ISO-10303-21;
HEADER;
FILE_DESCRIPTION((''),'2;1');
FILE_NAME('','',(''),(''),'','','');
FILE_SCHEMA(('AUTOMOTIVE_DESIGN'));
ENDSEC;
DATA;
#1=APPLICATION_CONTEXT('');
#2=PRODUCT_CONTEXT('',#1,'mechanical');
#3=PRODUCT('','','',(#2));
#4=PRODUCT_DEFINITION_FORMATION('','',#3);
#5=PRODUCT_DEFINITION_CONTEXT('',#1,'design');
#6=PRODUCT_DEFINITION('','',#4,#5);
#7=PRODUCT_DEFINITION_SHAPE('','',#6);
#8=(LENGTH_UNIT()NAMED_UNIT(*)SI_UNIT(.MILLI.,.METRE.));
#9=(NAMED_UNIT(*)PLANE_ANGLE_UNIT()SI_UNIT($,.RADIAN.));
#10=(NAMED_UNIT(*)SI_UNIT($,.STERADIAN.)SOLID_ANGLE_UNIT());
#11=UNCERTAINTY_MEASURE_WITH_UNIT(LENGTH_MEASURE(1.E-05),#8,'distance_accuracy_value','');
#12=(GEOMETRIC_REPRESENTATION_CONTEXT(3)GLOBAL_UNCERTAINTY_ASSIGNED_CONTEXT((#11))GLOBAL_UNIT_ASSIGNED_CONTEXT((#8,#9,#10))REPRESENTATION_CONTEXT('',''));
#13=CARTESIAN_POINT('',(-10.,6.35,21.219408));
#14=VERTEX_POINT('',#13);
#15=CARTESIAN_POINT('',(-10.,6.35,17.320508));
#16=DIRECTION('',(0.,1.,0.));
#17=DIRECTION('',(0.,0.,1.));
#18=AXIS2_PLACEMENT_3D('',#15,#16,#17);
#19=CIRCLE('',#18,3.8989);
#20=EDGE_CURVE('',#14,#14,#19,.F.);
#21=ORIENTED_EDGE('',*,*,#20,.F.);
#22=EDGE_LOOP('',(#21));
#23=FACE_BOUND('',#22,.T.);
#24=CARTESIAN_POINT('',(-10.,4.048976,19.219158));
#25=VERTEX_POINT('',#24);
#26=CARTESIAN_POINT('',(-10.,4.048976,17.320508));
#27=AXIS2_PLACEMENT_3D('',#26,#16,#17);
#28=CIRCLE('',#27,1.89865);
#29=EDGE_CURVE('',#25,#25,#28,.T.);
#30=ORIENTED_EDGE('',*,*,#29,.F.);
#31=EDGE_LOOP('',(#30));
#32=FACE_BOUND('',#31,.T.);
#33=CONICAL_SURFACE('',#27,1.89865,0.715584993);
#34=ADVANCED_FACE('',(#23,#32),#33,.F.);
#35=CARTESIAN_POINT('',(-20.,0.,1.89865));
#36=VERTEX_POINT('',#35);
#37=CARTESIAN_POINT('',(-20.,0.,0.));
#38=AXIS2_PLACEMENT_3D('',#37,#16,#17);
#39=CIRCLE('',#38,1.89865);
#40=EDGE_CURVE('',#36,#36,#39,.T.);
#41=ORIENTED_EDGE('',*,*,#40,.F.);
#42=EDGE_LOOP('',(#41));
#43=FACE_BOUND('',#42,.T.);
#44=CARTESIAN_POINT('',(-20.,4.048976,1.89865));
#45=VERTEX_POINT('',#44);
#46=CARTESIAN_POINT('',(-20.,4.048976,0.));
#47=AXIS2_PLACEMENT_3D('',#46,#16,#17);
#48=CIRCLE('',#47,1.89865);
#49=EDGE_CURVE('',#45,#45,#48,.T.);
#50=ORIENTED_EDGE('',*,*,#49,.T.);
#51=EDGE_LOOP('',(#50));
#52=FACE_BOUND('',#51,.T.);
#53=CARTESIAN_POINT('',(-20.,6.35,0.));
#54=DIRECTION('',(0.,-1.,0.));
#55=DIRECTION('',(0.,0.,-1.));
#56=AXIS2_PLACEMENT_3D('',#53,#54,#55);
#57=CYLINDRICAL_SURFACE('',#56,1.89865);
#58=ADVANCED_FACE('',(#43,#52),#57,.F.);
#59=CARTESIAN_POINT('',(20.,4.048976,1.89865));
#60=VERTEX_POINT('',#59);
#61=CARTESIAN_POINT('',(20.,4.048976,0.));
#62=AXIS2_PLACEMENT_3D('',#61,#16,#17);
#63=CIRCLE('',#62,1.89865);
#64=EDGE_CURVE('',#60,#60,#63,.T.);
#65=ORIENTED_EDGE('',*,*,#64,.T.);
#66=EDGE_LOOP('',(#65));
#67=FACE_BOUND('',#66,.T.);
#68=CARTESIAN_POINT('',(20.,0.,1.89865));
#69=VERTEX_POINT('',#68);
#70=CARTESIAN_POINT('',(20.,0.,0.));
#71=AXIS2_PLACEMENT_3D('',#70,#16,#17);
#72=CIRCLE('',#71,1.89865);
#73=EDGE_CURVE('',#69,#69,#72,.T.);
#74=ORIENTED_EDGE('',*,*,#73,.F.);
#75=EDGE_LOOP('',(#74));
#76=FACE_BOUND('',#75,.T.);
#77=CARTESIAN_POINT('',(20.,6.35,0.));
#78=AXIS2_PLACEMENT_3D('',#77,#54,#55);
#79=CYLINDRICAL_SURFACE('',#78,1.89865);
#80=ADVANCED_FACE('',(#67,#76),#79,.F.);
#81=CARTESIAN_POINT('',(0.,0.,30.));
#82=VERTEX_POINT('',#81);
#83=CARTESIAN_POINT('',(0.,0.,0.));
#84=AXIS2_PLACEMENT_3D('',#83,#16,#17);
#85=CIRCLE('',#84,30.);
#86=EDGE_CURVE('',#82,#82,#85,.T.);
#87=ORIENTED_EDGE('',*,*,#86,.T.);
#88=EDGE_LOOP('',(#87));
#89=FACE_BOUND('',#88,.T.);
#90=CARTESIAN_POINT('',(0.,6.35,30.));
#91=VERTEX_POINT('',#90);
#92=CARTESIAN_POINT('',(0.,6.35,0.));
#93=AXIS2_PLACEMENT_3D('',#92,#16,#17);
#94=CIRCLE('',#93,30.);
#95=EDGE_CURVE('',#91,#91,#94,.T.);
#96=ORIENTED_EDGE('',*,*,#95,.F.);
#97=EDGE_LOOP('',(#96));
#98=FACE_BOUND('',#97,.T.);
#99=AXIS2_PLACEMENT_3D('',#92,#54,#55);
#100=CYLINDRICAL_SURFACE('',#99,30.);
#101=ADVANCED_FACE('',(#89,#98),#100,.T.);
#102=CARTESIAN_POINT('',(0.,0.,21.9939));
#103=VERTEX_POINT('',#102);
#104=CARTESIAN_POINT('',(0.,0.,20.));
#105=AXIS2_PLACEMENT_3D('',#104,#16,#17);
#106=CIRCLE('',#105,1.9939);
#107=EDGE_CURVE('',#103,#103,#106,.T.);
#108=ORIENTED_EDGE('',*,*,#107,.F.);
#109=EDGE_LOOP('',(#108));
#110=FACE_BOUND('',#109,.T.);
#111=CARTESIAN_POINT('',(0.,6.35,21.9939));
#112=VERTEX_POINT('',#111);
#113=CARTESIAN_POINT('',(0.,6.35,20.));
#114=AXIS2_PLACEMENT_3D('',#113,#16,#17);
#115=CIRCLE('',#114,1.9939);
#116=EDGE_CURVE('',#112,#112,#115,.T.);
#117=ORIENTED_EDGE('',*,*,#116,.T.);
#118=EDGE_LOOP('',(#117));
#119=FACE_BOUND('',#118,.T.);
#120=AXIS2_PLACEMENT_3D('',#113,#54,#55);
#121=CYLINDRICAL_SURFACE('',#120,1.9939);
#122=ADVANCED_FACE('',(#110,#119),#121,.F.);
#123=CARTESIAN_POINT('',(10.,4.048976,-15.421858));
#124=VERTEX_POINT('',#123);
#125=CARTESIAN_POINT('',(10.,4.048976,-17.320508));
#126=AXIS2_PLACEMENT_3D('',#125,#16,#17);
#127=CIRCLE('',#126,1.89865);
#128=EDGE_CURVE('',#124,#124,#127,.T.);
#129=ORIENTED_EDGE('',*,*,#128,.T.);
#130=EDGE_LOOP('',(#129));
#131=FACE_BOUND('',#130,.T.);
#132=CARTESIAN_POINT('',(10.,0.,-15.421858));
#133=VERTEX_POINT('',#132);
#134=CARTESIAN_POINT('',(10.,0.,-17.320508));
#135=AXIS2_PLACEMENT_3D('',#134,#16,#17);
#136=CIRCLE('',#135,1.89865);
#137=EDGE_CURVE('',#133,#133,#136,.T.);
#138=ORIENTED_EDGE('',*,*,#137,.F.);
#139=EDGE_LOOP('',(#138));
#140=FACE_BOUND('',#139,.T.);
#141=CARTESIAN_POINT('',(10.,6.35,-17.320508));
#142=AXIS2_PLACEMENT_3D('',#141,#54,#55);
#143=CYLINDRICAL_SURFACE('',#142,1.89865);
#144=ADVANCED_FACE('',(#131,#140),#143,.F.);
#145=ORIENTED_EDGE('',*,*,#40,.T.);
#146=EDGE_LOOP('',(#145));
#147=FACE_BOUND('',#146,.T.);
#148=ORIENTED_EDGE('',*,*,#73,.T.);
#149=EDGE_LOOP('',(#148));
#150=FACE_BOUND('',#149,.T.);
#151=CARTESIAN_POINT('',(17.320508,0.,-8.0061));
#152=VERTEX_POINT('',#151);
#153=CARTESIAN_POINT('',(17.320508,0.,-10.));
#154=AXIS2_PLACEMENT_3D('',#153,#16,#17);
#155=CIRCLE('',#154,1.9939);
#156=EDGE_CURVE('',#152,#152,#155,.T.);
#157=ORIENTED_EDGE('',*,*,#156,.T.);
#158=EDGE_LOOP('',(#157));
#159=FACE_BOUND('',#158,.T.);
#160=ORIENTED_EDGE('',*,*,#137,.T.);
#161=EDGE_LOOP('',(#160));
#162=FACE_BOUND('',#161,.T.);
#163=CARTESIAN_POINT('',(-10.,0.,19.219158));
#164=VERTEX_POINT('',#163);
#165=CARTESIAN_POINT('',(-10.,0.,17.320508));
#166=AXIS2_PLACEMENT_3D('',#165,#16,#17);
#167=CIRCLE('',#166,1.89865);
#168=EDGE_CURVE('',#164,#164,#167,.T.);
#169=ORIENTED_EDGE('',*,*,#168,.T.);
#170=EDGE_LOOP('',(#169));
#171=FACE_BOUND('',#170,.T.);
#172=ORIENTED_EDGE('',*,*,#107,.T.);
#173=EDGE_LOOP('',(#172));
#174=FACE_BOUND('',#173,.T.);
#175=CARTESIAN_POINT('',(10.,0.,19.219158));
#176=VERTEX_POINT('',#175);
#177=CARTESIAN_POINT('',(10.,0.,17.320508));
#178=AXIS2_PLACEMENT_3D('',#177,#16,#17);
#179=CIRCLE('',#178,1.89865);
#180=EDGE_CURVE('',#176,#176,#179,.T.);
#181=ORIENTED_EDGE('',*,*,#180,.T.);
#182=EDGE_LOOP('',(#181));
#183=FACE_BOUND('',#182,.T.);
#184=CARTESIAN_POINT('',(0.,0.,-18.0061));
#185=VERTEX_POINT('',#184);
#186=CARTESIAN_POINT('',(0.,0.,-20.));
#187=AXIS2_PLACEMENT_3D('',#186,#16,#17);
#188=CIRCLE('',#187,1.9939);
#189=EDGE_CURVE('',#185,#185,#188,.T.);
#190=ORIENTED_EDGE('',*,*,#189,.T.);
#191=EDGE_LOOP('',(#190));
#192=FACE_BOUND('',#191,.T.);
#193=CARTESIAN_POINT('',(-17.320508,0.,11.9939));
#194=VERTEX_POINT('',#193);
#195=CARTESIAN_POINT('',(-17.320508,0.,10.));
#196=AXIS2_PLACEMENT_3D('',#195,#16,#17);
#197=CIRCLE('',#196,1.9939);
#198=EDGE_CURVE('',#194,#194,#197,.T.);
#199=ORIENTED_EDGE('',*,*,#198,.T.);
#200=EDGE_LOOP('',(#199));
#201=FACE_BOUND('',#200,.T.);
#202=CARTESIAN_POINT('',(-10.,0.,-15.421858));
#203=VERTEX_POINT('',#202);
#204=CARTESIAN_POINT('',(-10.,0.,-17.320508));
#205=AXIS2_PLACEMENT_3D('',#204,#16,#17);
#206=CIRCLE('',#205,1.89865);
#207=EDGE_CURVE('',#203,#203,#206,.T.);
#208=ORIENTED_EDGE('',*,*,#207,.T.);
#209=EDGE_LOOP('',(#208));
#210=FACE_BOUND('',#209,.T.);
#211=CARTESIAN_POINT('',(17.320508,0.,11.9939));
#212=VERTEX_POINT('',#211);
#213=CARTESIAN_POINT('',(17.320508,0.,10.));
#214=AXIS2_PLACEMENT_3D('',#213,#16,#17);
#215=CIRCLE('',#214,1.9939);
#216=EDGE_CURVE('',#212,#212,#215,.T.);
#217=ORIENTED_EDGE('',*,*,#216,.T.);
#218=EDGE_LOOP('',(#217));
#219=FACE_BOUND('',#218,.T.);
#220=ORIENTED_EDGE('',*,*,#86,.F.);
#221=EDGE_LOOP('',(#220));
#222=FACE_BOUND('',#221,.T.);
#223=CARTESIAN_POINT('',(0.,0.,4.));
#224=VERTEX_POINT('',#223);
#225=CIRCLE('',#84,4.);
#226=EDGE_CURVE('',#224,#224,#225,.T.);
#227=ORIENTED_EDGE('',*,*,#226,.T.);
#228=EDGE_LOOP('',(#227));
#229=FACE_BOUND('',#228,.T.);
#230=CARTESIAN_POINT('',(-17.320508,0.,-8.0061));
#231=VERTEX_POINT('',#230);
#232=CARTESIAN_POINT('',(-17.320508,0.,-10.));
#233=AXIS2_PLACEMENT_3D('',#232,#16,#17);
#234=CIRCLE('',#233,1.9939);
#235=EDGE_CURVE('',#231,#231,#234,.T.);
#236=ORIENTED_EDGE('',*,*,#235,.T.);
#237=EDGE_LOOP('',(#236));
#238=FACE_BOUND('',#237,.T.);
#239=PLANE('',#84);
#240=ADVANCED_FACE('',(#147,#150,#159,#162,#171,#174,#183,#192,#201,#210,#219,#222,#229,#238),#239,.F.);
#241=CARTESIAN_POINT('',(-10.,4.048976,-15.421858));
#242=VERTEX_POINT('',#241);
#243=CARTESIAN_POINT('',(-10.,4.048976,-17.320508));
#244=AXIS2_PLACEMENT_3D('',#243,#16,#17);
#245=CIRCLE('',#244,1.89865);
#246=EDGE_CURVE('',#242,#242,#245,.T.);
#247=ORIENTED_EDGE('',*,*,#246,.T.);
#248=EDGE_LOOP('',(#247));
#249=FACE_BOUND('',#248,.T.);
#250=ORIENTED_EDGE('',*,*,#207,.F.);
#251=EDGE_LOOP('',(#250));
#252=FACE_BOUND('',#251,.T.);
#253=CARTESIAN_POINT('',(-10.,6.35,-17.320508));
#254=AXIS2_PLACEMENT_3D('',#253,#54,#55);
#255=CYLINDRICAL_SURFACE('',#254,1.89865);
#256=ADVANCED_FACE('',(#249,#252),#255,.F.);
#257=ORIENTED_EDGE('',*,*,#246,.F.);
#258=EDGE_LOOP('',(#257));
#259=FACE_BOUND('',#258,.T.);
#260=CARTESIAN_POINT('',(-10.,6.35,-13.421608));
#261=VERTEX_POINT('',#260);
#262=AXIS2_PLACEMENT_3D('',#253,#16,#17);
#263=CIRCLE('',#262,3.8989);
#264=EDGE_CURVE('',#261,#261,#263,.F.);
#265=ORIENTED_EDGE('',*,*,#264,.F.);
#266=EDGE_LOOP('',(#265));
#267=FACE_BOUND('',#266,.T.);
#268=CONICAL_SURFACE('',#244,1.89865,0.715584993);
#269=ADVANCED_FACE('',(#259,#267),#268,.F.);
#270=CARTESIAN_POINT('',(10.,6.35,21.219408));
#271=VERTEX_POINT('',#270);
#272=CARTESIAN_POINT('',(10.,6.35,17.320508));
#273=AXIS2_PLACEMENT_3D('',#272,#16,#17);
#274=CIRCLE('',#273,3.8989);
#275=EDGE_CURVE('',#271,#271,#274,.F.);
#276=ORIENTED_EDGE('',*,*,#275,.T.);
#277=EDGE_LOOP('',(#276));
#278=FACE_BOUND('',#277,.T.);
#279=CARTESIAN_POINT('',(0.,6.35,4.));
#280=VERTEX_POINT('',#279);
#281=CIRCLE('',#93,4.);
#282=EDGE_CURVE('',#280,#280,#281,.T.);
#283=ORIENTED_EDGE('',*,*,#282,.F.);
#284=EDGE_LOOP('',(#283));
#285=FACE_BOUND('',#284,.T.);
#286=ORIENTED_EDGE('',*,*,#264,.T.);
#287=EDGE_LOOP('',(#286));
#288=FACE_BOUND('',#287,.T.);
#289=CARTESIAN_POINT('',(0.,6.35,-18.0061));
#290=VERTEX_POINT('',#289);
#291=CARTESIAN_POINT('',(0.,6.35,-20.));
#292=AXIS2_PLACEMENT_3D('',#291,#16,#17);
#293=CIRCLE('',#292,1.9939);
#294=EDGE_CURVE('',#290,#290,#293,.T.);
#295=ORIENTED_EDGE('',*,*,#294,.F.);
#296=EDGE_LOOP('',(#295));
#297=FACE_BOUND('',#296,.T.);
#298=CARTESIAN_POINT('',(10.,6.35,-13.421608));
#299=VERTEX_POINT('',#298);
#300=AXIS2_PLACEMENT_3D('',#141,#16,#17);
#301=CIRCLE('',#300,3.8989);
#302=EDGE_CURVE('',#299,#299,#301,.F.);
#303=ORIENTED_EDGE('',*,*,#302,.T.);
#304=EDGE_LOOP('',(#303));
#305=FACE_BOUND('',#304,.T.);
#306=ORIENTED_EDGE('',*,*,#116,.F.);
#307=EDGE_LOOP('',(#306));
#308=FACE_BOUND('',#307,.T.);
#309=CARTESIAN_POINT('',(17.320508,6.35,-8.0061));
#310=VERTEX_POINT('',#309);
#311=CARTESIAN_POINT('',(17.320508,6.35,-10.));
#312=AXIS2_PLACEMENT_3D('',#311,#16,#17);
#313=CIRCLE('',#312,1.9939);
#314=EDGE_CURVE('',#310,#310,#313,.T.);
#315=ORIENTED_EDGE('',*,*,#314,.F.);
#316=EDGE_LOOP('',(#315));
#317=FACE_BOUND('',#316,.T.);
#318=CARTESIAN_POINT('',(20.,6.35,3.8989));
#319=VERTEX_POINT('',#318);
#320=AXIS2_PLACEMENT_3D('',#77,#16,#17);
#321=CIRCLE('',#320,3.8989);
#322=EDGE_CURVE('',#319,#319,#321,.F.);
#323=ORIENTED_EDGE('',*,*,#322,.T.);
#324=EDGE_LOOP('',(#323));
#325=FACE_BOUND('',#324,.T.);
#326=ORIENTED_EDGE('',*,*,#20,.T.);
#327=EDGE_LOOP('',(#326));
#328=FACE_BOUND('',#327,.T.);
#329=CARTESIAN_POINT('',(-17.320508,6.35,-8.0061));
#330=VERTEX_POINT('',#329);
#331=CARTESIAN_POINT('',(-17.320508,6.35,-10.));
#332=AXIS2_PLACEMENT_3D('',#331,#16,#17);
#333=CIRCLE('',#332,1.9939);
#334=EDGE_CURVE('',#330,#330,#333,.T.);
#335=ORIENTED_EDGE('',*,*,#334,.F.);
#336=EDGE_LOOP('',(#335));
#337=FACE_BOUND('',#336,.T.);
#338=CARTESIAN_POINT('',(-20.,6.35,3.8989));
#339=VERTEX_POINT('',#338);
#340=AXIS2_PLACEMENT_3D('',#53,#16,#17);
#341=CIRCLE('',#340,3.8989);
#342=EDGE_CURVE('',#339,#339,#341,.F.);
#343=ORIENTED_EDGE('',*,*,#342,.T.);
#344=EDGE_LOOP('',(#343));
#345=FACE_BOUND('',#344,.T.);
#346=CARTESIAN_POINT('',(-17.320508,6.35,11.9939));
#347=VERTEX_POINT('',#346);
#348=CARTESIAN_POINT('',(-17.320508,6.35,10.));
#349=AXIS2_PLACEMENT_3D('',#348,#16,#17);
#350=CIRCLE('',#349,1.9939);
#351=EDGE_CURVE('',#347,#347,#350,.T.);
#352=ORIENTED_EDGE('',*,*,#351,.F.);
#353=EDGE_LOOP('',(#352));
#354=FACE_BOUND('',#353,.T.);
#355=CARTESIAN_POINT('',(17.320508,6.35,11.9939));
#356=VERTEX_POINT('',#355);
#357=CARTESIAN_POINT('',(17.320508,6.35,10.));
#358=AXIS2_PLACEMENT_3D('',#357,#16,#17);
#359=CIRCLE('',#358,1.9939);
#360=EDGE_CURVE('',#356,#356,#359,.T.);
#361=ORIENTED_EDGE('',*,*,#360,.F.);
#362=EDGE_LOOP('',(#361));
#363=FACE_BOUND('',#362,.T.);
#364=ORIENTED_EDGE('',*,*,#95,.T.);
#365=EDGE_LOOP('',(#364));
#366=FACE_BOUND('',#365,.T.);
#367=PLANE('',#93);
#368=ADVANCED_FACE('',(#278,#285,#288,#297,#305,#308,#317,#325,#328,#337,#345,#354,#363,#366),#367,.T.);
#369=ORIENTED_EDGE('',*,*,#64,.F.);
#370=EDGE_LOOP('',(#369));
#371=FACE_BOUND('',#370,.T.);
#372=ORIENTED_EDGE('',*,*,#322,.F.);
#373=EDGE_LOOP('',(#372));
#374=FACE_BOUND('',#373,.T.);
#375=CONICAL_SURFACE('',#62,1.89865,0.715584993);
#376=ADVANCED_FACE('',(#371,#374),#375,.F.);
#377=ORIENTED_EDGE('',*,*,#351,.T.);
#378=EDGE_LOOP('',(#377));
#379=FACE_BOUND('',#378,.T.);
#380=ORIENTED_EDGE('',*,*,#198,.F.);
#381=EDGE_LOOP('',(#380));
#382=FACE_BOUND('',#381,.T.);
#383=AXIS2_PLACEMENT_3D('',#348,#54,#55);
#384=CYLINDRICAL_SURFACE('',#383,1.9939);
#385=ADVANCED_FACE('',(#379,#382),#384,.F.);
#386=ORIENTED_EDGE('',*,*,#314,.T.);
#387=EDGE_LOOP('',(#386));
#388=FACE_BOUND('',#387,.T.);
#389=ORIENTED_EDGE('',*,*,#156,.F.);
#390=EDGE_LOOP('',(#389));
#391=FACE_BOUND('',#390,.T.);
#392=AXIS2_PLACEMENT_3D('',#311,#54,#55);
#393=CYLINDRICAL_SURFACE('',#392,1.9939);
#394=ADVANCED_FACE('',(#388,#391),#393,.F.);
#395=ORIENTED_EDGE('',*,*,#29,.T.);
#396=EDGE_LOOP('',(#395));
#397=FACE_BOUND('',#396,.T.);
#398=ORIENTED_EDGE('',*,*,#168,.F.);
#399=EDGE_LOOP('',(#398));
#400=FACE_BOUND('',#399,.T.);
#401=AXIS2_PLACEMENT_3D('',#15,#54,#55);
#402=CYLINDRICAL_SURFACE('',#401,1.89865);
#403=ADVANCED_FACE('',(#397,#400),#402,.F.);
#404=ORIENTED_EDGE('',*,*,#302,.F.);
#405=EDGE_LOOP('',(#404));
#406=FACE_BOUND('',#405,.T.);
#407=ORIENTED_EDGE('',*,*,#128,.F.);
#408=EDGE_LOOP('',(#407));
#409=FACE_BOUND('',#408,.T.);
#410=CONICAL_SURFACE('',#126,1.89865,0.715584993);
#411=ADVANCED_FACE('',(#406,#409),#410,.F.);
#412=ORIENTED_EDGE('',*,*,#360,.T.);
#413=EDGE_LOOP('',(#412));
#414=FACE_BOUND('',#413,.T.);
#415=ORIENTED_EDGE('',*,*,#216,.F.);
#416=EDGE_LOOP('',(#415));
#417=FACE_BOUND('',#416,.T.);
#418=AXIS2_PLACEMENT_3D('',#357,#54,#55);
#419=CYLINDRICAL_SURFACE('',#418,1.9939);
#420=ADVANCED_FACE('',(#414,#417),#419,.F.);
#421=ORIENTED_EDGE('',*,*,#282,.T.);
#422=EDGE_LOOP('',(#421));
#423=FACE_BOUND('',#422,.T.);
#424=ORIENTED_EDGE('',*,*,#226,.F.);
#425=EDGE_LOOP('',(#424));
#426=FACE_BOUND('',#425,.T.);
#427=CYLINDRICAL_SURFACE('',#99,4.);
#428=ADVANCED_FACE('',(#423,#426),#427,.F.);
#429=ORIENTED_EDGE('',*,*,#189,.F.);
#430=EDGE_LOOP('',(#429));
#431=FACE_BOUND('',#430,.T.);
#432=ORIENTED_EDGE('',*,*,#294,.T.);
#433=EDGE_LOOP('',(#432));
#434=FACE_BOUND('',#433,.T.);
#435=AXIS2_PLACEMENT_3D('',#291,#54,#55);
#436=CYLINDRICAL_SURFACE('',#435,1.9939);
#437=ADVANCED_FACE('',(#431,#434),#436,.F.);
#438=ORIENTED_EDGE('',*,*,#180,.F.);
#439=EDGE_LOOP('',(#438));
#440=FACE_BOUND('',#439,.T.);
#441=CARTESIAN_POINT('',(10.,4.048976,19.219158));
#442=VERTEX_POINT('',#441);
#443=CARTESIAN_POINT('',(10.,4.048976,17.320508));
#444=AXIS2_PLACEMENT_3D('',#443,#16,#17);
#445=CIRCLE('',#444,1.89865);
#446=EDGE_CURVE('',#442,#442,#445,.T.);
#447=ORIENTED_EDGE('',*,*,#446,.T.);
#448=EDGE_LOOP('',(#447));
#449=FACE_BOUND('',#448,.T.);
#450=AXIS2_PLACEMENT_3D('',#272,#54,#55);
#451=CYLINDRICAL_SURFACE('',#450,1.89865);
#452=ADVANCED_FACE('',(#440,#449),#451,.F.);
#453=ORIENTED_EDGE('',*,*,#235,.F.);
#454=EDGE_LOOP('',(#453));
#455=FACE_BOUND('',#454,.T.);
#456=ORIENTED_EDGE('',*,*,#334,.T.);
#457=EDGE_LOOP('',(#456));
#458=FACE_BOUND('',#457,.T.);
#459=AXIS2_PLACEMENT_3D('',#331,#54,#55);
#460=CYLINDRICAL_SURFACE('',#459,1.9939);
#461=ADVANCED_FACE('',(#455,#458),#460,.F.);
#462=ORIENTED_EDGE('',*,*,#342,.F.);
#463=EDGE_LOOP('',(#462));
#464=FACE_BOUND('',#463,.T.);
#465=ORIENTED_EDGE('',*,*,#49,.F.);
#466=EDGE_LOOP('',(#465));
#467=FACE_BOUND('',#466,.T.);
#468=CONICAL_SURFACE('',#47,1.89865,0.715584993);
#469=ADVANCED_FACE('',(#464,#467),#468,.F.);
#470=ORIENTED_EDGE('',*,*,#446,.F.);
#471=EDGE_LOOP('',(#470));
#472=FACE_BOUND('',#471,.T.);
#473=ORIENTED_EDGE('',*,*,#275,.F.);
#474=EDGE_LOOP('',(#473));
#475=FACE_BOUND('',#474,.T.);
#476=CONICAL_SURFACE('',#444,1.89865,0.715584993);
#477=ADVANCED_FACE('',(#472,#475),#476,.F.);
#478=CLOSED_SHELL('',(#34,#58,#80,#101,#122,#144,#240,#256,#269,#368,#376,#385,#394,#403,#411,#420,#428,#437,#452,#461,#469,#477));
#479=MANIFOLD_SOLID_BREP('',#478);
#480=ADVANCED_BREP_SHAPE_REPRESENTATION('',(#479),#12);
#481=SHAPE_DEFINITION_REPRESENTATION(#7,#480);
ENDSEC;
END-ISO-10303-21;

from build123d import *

# Parameters (mm, degrees)
SKETCH1_R             = 30
SKETCH1_R_2           = 1.89865
SKETCH1_R_3           = 1.9939
SKETCH1_R_4           = 4
BOSS_EXTRUDE1_DEPTH   = 6.35
CHAMFER1_SIZE         = 2.301024407
CHAMFER1_SIZE2        = 2.00025
CHAMFER1_PART_2_SIZE  = 2.301024407
CHAMFER1_PART_2_SIZE2 = 2.00025
CHAMFER1_PART_3_SIZE  = 2.301024407
CHAMFER1_PART_3_SIZE2 = 2.00025
CHAMFER1_PART_4_SIZE  = 2.301024407
CHAMFER1_PART_4_SIZE2 = 2.00025
CHAMFER1_PART_5_SIZE  = 2.301024407
CHAMFER1_PART_5_SIZE2 = 2.00025
CHAMFER1_PART_6_SIZE  = 2.301024407
CHAMFER1_PART_6_SIZE2 = 2.00025


with BuildPart() as part:
    # Sketch1 → Boss-Extrude1 (new body)
    with BuildSketch(Plane(origin=(0, 0, 0), x_dir=(1, 0, 0), z_dir=(0, 1, 0))):
        Circle(SKETCH1_R)
        with Locations((20, 0)):
            Circle(SKETCH1_R_2, mode=Mode.SUBTRACT)
        with Locations((10, -17.320508076)):
            Circle(SKETCH1_R_2, mode=Mode.SUBTRACT)
        with Locations((-10, -17.320508076)):
            Circle(SKETCH1_R_2, mode=Mode.SUBTRACT)
        with Locations((-20, 0)):
            Circle(SKETCH1_R_2, mode=Mode.SUBTRACT)
        with Locations((-10, 17.320508076)):
            Circle(SKETCH1_R_2, mode=Mode.SUBTRACT)
        with Locations((10, 17.320508076)):
            Circle(SKETCH1_R_2, mode=Mode.SUBTRACT)
        with Locations((0, 20)):
            Circle(SKETCH1_R_3, mode=Mode.SUBTRACT)
        with Locations((17.320508076, 10)):
            Circle(SKETCH1_R_3, mode=Mode.SUBTRACT)
        with Locations((17.320508076, -10)):
            Circle(SKETCH1_R_3, mode=Mode.SUBTRACT)
        with Locations((0, -20)):
            Circle(SKETCH1_R_3, mode=Mode.SUBTRACT)
        with Locations((-17.320508076, -10)):
            Circle(SKETCH1_R_3, mode=Mode.SUBTRACT)
        with Locations((-17.320508076, 10)):
            Circle(SKETCH1_R_3, mode=Mode.SUBTRACT)
        Circle(SKETCH1_R_4, mode=Mode.SUBTRACT)
    extrude(amount=BOSS_EXTRUDE1_DEPTH)

    # Chamfer1
    chamfer1_edges = [part.edges().sort_by_distance(p)[0] for p in [
        (8.10135, 6.35, 17.320508076),
    ]]
    chamfer1_side = [part.faces().sort_by_distance(p)[0] for p in [
        (8.10135, 3.175, 17.320508076),
    ]]
    chamfer(chamfer1_edges, length=CHAMFER1_SIZE, length2=CHAMFER1_SIZE2, reference=chamfer1_side[0])

    # Chamfer1 part 2
    chamfer1_part_2_edges = [part.edges().sort_by_distance(p)[0] for p in [
        (-11.89865, 6.35, 17.320508076),
    ]]
    chamfer1_part_2_side = [part.faces().sort_by_distance(p)[0] for p in [
        (-11.89865, 3.175, 17.320508076),
    ]]
    chamfer(chamfer1_part_2_edges, length=CHAMFER1_PART_2_SIZE, length2=CHAMFER1_PART_2_SIZE2, reference=chamfer1_part_2_side[0])

    # Chamfer1 part 3
    chamfer1_part_3_edges = [part.edges().sort_by_distance(p)[0] for p in [
        (-21.89865, 6.35, 0),
    ]]
    chamfer1_part_3_side = [part.faces().sort_by_distance(p)[0] for p in [
        (-21.89865, 3.175, 0),
    ]]
    chamfer(chamfer1_part_3_edges, length=CHAMFER1_PART_3_SIZE, length2=CHAMFER1_PART_3_SIZE2, reference=chamfer1_part_3_side[0])

    # Chamfer1 part 4
    chamfer1_part_4_edges = [part.edges().sort_by_distance(p)[0] for p in [
        (-11.89865, 6.35, -17.320508076),
    ]]
    chamfer1_part_4_side = [part.faces().sort_by_distance(p)[0] for p in [
        (-11.89865, 3.175, -17.320508076),
    ]]
    chamfer(chamfer1_part_4_edges, length=CHAMFER1_PART_4_SIZE, length2=CHAMFER1_PART_4_SIZE2, reference=chamfer1_part_4_side[0])

    # Chamfer1 part 5
    chamfer1_part_5_edges = [part.edges().sort_by_distance(p)[0] for p in [
        (8.10135, 6.35, -17.320508076),
    ]]
    chamfer1_part_5_side = [part.faces().sort_by_distance(p)[0] for p in [
        (8.10135, 3.175, -17.320508076),
    ]]
    chamfer(chamfer1_part_5_edges, length=CHAMFER1_PART_5_SIZE, length2=CHAMFER1_PART_5_SIZE2, reference=chamfer1_part_5_side[0])

    # Chamfer1 part 6
    chamfer1_part_6_edges = [part.edges().sort_by_distance(p)[0] for p in [
        (18.10135, 6.35, 0),
    ]]
    chamfer1_part_6_side = [part.faces().sort_by_distance(p)[0] for p in [
        (18.10135, 3.175, 0),
    ]]
    chamfer(chamfer1_part_6_edges, length=CHAMFER1_PART_6_SIZE, length2=CHAMFER1_PART_6_SIZE2, reference=chamfer1_part_6_side[0])


solid = part.part
